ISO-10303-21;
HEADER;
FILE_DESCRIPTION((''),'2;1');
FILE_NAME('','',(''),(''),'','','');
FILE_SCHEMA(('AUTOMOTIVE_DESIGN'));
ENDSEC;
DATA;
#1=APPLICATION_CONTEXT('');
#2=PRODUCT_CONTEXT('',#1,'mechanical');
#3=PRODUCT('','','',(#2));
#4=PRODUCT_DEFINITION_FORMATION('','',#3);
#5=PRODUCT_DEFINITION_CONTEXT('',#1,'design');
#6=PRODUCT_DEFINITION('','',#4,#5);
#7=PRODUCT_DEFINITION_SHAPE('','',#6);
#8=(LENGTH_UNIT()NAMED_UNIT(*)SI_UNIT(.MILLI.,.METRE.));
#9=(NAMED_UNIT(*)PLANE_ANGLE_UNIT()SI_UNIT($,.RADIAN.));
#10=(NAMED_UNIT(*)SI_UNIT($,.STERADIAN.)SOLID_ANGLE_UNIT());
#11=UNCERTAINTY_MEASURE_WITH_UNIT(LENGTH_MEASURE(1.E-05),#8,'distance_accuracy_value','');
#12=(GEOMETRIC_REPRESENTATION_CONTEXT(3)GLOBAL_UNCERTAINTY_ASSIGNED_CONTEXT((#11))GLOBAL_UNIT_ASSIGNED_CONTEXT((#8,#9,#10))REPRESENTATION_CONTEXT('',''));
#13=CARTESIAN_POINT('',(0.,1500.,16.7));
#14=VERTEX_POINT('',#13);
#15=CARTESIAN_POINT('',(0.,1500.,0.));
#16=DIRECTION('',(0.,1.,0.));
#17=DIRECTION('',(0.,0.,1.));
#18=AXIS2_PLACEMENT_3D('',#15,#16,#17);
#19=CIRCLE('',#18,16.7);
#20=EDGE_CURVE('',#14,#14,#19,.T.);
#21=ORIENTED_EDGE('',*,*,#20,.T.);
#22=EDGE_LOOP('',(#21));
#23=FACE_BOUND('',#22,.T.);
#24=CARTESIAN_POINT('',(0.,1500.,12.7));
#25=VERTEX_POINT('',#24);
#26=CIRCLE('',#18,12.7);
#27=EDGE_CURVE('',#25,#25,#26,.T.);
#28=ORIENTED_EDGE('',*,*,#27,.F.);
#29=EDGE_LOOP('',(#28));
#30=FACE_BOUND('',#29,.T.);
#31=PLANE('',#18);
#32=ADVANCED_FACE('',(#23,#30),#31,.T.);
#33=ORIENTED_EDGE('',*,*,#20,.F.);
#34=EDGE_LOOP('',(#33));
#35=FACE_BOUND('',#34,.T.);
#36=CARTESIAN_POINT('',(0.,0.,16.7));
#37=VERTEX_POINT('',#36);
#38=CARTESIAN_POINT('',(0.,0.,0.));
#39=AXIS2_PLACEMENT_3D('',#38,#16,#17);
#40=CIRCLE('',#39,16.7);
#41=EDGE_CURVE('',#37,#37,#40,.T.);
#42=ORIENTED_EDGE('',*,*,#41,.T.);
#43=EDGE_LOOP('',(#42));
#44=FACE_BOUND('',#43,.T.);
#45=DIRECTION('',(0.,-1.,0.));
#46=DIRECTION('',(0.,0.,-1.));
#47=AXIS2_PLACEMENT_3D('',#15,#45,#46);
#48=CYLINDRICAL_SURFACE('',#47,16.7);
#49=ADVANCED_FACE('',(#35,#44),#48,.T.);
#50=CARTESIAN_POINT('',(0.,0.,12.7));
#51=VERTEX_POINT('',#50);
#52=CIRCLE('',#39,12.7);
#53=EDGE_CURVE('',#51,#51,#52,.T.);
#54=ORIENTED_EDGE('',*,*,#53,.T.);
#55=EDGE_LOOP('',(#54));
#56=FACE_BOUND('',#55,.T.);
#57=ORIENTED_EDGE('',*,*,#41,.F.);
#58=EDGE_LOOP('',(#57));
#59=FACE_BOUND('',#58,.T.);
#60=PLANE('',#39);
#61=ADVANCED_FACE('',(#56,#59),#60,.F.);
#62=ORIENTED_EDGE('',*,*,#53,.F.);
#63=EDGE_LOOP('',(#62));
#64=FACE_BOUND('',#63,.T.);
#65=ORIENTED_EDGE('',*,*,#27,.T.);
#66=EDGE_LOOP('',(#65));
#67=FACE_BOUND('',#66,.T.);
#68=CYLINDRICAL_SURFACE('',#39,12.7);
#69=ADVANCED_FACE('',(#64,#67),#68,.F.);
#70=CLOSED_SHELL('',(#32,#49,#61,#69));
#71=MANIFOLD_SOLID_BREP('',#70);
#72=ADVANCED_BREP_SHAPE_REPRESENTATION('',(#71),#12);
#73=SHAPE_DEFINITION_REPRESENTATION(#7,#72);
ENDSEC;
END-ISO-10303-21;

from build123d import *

# Parameters (mm, degrees)
CROQUIS1_R              = 16.7
SALIENTE_EXTRUIR1_DEPTH = 1500
CROQUIS2_R              = 12.7
CORTAR_EXTRUIR1_DEPTH   = 1501.185915145


with BuildPart() as part:
    # Croquis1 → Saliente-Extruir1 (new body)
    with BuildSketch(Plane(origin=(0, 0, 0), x_dir=(1, 0, 0), z_dir=(0, 1, 0))):
        with Locations(Location((0, 0, 0), (0, 0, 270))):
            Circle(CROQUIS1_R)
    extrude(amount=SALIENTE_EXTRUIR1_DEPTH)

    # Croquis2 → Cortar-Extruir1 (cut, through all)
    with BuildSketch(Plane(origin=(0, 1500, 0), x_dir=(1, 0, 0), z_dir=(0, 1, 0))):
        with Locations(Location((0, 0, 0), (0, 0, 270))):
            Circle(CROQUIS2_R)
    extrude(amount=-CORTAR_EXTRUIR1_DEPTH, mode=Mode.SUBTRACT)


solid = part.part
